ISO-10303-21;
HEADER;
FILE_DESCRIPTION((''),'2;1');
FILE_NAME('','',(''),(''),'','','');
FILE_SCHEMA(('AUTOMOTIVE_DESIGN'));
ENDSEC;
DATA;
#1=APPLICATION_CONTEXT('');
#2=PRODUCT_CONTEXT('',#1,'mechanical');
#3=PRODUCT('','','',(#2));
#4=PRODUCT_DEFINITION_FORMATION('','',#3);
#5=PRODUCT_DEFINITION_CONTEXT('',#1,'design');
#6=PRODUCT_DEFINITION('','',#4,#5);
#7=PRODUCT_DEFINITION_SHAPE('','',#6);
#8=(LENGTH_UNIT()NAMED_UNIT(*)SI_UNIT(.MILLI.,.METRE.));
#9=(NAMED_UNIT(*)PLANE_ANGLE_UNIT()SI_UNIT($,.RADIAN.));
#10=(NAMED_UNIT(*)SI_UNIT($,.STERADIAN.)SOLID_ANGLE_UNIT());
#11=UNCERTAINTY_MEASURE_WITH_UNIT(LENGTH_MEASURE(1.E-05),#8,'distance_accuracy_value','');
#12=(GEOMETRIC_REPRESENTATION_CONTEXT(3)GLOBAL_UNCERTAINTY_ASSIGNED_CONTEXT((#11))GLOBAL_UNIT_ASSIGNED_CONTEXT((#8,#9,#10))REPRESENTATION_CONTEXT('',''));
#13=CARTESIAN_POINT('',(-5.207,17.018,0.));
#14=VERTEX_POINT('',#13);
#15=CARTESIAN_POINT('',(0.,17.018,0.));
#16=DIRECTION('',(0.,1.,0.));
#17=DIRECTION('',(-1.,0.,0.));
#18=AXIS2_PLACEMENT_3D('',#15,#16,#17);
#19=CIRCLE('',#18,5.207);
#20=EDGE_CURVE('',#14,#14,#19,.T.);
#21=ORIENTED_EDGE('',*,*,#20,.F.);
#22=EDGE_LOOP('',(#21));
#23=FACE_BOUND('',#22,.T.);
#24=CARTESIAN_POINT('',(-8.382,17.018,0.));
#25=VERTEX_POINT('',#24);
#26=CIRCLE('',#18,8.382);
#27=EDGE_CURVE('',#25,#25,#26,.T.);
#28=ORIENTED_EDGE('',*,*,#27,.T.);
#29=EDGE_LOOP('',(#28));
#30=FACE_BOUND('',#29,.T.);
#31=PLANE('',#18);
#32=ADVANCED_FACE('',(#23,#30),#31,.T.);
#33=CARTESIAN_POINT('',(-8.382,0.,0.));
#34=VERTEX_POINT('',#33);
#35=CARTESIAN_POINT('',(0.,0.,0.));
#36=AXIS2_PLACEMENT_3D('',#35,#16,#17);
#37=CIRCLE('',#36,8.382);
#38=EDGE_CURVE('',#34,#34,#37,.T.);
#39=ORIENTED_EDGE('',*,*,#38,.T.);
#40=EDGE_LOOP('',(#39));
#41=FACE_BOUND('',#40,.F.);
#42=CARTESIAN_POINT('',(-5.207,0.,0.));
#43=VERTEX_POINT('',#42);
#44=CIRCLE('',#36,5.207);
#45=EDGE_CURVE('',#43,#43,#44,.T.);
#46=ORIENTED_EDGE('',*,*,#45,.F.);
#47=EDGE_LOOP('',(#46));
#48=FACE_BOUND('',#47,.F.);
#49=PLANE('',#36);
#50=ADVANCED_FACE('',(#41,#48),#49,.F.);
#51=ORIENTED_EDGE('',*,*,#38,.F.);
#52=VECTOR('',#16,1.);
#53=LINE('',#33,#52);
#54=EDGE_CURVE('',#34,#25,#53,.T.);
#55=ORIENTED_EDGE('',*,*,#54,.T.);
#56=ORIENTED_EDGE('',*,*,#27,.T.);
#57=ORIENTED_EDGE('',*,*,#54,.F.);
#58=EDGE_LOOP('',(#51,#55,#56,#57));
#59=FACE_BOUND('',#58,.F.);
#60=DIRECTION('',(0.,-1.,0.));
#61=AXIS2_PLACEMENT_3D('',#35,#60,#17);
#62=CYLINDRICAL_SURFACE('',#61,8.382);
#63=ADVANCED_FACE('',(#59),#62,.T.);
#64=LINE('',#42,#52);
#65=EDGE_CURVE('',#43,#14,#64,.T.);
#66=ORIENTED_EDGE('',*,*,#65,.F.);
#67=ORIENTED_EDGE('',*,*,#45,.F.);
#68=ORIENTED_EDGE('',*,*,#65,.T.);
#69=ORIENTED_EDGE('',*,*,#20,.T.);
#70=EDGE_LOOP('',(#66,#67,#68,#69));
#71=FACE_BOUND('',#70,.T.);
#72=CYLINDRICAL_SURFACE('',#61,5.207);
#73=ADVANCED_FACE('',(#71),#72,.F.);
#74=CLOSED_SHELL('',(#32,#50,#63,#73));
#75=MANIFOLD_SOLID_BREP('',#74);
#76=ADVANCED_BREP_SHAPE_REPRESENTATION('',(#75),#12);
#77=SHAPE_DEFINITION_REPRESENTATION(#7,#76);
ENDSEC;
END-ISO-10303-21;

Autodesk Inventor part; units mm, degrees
ref_plane "YZ Plane" through (0, 0, 0) normal (1, 0, 0) x (0, 1, 0)
ref_plane "XZ Plane" through (0, 0, 0) normal (0, 1, 0) x (-1, 0, 0)
ref_plane "XY Plane" through (0, 0, 0) normal (0, 0, 1) x (1, 0, 0)
sketch "Sketch1" plane through (0, 0, 0) normal (0, 1, 0) x (-1, 0, 0)
  circle A0 centre (0, 0) radius 5.207
  circle A1 centre (0, 0) radius 8.382
  dimension "d0" = 10.414
  dimension "d1" = 3.175
extrude "Extrusion1" add sketch "Sketch1" along normal blind 17.018
properties part number "GP6-013" material "ABS Plastic"
